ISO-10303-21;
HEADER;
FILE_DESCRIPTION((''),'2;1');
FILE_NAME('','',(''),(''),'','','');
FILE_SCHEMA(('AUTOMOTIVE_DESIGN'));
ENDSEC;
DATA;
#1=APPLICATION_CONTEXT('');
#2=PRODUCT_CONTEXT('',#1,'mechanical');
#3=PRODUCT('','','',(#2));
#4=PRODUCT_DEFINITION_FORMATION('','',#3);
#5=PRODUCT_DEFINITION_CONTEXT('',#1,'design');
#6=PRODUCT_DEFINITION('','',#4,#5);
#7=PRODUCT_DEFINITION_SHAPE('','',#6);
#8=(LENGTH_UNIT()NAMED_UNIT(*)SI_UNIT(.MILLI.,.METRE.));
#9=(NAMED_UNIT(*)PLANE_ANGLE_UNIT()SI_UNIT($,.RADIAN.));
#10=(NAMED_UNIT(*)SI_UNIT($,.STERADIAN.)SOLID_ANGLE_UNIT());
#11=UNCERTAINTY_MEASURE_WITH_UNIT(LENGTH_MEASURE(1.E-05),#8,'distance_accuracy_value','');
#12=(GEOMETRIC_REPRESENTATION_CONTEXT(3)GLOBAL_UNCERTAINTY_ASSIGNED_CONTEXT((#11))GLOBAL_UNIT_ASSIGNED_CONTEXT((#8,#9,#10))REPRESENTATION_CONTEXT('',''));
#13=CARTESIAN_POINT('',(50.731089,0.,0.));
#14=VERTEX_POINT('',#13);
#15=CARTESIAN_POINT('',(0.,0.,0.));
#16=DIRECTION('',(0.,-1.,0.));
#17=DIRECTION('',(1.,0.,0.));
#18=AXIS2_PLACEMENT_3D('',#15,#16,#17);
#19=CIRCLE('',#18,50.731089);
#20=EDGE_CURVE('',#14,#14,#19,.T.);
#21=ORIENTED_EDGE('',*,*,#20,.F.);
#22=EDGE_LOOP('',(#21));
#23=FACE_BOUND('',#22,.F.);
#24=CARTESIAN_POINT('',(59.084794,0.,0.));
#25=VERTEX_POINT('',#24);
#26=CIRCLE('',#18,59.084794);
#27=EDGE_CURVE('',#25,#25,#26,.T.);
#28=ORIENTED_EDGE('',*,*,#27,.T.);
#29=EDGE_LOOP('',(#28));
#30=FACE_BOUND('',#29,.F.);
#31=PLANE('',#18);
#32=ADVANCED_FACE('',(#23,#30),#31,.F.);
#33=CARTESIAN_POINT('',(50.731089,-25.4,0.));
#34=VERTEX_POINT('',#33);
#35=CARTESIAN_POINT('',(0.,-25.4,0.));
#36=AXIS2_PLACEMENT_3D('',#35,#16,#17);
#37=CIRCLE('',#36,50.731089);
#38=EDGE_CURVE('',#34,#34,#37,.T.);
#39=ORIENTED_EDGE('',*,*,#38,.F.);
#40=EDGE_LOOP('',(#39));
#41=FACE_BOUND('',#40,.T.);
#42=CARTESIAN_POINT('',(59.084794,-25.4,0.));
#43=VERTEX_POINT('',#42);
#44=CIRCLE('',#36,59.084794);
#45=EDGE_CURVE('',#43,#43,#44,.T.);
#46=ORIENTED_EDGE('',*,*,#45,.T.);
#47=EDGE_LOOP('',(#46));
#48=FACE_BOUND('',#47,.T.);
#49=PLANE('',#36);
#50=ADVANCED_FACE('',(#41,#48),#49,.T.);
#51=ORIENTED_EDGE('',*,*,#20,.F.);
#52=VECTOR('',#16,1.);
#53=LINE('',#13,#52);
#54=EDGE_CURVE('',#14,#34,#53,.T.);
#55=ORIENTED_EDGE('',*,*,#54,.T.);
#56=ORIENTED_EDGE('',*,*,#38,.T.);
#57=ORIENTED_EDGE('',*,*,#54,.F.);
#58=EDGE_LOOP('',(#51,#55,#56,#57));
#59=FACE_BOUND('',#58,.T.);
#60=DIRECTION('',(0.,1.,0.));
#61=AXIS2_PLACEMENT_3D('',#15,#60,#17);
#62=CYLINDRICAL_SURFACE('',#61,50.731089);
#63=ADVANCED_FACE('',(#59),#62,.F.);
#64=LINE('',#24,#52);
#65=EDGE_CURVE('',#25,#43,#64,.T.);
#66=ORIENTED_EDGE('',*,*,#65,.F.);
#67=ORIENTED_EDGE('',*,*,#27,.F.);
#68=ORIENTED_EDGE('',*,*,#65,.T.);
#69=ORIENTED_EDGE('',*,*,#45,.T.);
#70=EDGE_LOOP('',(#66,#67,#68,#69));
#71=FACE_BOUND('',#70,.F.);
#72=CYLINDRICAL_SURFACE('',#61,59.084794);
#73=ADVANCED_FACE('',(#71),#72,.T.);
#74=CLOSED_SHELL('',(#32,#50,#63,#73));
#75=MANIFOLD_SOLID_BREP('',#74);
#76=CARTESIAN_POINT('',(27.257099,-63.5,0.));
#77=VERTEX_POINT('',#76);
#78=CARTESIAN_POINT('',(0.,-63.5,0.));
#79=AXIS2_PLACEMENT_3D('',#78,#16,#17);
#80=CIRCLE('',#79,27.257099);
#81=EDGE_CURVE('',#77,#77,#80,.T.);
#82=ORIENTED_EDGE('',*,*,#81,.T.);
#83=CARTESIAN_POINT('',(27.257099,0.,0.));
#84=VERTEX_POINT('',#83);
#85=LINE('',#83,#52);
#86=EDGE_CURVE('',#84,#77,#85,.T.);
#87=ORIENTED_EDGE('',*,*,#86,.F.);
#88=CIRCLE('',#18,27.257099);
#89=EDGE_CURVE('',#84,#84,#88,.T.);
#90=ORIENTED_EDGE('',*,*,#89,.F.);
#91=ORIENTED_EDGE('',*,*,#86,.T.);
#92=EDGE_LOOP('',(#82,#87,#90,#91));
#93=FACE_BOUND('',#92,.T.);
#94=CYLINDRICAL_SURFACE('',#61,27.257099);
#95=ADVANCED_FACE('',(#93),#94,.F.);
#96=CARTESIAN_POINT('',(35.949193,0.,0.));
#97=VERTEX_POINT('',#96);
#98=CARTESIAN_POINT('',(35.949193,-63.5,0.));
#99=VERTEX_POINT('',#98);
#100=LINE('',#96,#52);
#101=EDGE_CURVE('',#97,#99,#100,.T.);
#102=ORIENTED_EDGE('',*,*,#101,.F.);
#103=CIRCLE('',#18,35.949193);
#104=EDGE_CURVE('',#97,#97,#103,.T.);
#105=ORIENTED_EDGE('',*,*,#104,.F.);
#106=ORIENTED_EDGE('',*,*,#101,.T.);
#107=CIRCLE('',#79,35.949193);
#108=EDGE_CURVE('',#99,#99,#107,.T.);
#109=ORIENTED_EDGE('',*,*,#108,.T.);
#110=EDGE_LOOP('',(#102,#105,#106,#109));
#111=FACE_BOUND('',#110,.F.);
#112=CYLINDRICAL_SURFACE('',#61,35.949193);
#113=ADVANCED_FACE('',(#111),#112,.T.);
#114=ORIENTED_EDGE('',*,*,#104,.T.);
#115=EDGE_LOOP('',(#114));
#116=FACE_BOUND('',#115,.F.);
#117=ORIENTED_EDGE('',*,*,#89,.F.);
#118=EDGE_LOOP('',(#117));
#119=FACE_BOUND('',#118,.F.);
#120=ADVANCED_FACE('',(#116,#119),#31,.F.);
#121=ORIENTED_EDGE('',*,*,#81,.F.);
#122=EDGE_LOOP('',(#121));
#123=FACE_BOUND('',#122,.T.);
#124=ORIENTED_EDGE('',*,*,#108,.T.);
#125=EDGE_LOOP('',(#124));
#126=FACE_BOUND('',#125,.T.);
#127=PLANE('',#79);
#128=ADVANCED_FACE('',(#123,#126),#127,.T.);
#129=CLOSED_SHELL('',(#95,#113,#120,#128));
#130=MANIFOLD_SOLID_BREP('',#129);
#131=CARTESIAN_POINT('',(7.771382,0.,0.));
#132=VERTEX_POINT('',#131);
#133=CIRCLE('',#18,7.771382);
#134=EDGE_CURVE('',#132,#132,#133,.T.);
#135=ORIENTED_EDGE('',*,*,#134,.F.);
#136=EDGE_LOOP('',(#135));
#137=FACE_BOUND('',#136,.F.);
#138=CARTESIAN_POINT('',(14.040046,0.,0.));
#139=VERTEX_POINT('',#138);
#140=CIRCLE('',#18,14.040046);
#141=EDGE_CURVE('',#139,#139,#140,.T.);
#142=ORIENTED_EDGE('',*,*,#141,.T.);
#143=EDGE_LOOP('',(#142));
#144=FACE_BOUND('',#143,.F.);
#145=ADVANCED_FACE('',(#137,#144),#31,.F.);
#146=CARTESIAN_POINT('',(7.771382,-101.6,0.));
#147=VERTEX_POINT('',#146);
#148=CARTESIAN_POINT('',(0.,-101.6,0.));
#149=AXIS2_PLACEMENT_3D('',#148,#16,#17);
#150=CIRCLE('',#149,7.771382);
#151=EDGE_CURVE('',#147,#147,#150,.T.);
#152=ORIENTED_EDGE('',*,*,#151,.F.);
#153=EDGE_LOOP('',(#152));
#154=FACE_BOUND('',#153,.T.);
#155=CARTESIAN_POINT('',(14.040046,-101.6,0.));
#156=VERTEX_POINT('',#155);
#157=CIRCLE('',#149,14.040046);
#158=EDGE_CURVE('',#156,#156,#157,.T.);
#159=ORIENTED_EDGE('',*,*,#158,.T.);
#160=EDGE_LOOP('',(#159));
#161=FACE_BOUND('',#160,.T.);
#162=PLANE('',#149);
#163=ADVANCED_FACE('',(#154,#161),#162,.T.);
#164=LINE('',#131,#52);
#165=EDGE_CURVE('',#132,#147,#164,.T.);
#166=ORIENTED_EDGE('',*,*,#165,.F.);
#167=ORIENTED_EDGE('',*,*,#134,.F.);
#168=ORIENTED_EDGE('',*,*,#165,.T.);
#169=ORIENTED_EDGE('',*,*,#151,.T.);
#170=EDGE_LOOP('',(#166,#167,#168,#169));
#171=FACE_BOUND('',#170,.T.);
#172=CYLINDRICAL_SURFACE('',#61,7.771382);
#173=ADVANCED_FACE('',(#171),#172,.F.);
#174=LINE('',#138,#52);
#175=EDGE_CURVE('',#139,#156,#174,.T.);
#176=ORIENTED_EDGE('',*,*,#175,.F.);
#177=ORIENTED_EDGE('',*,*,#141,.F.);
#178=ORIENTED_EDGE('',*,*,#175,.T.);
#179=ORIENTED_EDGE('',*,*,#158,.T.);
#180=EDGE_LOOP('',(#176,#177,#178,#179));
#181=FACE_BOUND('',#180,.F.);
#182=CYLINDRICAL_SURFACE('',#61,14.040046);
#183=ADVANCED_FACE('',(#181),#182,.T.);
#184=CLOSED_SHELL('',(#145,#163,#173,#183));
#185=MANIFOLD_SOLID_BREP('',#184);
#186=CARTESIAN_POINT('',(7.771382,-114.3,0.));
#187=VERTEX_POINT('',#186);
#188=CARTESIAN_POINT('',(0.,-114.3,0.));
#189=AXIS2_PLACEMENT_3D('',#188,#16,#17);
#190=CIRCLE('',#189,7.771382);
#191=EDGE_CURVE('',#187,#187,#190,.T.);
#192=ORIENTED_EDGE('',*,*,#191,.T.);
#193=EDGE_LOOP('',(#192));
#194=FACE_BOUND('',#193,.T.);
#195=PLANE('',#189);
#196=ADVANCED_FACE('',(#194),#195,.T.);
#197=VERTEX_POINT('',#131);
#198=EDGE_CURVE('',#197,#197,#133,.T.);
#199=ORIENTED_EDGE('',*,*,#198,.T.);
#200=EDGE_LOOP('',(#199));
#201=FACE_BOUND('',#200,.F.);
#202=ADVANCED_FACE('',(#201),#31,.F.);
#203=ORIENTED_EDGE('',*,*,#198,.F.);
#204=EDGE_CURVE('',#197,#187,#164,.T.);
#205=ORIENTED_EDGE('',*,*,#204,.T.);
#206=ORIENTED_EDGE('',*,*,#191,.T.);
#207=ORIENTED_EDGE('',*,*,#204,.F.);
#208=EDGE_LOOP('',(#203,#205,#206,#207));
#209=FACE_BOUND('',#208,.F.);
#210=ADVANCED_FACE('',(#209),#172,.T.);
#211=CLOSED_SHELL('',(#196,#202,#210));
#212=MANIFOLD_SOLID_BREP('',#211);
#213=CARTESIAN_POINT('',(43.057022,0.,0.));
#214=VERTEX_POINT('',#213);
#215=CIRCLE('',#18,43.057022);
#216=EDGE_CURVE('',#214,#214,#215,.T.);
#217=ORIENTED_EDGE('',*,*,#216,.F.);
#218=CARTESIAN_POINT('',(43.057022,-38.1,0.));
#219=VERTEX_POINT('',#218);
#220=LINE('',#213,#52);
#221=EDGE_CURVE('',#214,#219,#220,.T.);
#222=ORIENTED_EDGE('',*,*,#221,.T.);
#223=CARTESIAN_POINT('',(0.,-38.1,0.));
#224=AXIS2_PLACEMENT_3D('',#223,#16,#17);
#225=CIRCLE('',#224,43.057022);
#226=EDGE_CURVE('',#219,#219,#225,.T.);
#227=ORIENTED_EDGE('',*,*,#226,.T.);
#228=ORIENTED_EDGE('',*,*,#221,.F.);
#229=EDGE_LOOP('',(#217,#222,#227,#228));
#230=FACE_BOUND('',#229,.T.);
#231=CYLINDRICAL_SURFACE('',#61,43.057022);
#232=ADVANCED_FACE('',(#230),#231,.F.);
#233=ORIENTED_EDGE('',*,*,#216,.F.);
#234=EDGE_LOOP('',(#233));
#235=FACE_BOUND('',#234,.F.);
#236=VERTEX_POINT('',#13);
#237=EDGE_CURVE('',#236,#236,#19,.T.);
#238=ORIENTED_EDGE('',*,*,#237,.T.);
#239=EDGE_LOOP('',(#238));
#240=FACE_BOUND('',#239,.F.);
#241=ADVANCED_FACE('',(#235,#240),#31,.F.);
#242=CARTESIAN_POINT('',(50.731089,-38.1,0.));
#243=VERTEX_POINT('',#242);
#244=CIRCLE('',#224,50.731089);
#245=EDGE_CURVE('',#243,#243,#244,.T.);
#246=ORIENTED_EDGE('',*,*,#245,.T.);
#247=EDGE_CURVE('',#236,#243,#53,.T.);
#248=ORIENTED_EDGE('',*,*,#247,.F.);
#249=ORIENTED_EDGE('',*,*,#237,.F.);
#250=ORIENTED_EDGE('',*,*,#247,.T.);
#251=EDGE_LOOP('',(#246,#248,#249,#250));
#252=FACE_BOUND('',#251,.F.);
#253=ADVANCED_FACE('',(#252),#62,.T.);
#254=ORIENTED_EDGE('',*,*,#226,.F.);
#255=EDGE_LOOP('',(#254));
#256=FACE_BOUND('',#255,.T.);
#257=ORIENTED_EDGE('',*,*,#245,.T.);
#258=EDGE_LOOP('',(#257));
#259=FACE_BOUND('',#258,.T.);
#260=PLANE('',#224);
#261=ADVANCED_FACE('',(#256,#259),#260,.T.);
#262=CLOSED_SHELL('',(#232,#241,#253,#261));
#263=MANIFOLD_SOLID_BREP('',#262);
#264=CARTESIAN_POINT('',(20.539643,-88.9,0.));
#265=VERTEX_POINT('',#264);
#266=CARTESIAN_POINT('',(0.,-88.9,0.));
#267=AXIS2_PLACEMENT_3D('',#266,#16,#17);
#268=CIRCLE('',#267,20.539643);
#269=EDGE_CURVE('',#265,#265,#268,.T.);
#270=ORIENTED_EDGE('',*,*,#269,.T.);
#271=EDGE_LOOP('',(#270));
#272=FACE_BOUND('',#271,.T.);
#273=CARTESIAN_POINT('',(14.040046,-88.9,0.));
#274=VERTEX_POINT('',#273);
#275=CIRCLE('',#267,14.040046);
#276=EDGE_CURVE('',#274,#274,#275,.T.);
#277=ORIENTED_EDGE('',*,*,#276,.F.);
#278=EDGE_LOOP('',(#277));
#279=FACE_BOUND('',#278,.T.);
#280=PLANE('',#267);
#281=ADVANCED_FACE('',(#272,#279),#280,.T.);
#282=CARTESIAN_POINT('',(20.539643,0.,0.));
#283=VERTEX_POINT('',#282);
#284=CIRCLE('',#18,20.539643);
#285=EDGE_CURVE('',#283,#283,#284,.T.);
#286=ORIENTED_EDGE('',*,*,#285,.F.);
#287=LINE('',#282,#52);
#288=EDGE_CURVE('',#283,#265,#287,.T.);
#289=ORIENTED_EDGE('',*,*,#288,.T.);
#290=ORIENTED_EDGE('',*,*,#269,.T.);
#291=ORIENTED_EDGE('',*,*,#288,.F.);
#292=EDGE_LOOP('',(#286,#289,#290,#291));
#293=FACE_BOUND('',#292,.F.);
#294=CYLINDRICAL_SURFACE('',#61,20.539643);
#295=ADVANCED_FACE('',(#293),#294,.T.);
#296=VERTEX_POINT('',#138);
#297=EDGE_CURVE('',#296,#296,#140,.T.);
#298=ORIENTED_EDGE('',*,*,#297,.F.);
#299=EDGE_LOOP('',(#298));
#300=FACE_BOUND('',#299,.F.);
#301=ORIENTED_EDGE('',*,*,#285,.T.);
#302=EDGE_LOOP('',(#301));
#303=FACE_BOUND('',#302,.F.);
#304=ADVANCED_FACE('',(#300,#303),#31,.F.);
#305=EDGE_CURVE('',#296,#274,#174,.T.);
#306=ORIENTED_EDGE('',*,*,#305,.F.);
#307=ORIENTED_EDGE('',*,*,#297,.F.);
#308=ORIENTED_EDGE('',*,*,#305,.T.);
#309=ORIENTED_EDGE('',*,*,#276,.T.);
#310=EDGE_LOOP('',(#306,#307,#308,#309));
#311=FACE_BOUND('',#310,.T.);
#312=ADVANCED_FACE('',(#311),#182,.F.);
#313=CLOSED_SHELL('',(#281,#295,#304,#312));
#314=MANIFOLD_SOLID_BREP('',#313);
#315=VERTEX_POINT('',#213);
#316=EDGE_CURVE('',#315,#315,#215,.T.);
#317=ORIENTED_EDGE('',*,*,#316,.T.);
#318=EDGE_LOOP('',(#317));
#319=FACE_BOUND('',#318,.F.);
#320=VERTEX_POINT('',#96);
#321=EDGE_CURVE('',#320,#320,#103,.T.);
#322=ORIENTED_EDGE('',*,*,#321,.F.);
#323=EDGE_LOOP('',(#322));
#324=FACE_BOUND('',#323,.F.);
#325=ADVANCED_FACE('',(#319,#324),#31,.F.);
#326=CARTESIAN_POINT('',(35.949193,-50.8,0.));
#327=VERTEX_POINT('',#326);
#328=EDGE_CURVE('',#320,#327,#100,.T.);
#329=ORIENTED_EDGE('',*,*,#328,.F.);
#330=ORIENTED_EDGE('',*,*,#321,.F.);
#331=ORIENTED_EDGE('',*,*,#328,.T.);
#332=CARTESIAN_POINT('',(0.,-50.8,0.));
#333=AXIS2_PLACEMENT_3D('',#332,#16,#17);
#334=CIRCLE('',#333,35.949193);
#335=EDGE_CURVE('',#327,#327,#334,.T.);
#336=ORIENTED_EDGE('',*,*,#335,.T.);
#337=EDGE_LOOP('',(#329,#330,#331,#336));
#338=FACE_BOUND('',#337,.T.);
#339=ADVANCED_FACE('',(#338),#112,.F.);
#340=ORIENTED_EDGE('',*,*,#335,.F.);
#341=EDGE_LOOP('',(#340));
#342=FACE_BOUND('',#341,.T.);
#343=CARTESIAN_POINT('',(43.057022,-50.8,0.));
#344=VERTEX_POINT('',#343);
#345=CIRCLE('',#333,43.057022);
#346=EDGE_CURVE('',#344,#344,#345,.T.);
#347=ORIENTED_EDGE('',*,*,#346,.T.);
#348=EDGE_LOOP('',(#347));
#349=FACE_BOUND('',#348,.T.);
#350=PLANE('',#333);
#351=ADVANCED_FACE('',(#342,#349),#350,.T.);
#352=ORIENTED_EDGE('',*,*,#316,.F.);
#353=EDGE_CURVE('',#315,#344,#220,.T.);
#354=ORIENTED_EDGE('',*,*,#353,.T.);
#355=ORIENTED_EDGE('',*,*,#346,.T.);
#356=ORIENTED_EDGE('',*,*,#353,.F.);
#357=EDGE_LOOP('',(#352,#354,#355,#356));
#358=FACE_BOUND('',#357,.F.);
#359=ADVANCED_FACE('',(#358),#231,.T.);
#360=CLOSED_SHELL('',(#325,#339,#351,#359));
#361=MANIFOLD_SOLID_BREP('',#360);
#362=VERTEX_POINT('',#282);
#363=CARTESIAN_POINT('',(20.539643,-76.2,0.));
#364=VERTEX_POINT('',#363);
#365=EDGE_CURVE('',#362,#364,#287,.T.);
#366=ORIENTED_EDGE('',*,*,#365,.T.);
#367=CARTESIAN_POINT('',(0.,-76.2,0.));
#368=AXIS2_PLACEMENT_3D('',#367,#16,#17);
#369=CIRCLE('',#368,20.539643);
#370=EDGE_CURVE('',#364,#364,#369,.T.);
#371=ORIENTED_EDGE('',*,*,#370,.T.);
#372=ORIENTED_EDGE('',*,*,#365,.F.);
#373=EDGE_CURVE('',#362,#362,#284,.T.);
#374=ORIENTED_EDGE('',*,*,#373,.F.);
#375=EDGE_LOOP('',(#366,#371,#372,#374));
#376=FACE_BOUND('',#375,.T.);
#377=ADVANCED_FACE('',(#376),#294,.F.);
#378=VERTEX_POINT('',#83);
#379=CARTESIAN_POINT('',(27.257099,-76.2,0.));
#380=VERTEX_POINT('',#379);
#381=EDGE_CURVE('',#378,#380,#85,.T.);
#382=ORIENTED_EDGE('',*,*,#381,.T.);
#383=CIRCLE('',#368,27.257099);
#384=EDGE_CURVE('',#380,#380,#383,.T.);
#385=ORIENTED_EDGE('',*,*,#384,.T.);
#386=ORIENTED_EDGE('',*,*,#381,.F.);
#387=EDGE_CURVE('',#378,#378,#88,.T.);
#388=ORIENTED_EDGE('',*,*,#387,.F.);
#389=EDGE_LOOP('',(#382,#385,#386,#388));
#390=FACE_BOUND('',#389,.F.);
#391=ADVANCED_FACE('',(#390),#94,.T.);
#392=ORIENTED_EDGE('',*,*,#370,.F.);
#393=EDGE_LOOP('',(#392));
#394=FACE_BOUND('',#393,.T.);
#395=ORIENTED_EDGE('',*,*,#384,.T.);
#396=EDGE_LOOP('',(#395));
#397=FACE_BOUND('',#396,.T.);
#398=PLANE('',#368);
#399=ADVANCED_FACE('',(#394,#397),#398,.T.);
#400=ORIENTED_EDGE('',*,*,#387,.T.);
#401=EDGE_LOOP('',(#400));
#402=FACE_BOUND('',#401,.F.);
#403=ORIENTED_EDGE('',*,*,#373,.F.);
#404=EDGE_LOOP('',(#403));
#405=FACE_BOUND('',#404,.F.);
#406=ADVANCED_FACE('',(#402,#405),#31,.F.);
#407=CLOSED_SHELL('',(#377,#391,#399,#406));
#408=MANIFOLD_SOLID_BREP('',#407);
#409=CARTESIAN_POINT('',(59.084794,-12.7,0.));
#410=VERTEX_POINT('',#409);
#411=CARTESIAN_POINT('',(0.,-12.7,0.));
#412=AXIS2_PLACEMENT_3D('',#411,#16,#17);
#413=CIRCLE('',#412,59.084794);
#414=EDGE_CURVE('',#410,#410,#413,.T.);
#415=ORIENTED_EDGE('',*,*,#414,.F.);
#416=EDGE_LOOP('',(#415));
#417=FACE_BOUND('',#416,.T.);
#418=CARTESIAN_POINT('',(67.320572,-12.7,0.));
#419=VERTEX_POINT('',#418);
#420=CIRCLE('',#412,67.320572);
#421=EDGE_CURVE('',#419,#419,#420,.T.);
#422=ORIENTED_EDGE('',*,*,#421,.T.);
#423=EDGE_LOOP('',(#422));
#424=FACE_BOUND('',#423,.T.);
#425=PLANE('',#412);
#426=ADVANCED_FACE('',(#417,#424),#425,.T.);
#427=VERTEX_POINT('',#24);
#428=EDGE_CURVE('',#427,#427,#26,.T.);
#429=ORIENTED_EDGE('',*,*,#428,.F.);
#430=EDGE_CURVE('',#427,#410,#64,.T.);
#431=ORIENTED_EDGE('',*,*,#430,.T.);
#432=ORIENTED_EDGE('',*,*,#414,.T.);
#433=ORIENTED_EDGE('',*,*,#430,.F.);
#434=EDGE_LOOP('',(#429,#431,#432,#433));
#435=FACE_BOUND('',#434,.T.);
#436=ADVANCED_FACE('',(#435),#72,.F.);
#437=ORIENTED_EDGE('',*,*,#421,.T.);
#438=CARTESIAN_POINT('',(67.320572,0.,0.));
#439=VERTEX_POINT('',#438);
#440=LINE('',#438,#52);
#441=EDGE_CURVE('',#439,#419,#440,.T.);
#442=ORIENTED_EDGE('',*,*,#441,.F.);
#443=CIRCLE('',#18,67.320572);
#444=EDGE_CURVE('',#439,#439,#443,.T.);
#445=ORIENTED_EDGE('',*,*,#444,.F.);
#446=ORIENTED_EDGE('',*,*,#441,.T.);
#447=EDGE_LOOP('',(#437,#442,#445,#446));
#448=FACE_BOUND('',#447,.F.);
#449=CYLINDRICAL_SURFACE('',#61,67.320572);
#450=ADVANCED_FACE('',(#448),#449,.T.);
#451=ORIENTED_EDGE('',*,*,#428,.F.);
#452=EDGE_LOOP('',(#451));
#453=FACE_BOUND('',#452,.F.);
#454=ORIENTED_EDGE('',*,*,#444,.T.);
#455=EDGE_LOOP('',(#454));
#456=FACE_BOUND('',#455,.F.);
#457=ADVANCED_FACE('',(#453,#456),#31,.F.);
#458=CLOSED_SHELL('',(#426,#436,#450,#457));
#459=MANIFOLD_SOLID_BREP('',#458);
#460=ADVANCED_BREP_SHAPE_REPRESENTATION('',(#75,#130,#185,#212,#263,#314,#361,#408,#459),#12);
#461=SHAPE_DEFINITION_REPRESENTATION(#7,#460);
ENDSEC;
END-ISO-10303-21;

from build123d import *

# Parameters (mm, degrees)
F0_R     = 67.320572
F0_R_2   = 59.084794
F1_DEPTH = 12.7
F0_R_3   = 50.731089
F2_DEPTH = 25.4
F0_R_4   = 43.057022
F3_DEPTH = 38.1
F0_R_5   = 35.949193
F4_DEPTH = 50.8
F0_R_6   = 27.257099
F5_DEPTH = 63.5
F0_R_7   = 20.539643
F6_DEPTH = 76.2
F0_R_8   = 14.040046
F7_DEPTH = 88.9
F0_R_9   = 7.771382
F8_DEPTH = 101.6
F9_DEPTH = 114.3


with BuildPart() as f1:
    # F0 (on Front) → F1 (new body)
    with BuildSketch(Plane.XZ):
        Circle(F0_R)
        Circle(F0_R_2, mode=Mode.SUBTRACT)
    extrude(amount=F1_DEPTH)


with BuildPart() as f2:
    # F0 (on Front) → F2 (new body)
    with BuildSketch(Plane.XZ):
        Circle(F0_R_2)
        Circle(F0_R_3, mode=Mode.SUBTRACT)
    extrude(amount=F2_DEPTH)


with BuildPart() as f3:
    # F0 (on Front) → F3 (new body)
    with BuildSketch(Plane.XZ):
        Circle(F0_R_3)
        Circle(F0_R_4, mode=Mode.SUBTRACT)
    extrude(amount=F3_DEPTH)


with BuildPart() as f4:
    # F0 (on Front) → F4 (new body)
    with BuildSketch(Plane.XZ):
        Circle(F0_R_4)
        Circle(F0_R_5, mode=Mode.SUBTRACT)
    extrude(amount=F4_DEPTH)


with BuildPart() as f5:
    # F0 (on Front) → F5 (new body)
    with BuildSketch(Plane.XZ):
        Circle(F0_R_5)
        Circle(F0_R_6, mode=Mode.SUBTRACT)
    extrude(amount=F5_DEPTH)


with BuildPart() as f6:
    # F0 (on Front) → F6 (new body)
    with BuildSketch(Plane.XZ):
        Circle(F0_R_6)
        Circle(F0_R_7, mode=Mode.SUBTRACT)
    extrude(amount=F6_DEPTH)


with BuildPart() as f7:
    # F0 (on Front) → F7 (new body)
    with BuildSketch(Plane.XZ):
        Circle(F0_R_7)
        Circle(F0_R_8, mode=Mode.SUBTRACT)
    extrude(amount=F7_DEPTH)


with BuildPart() as f8:
    # F0 (on Front) → F8 (new body)
    with BuildSketch(Plane.XZ):
        Circle(F0_R_8)
        Circle(F0_R_9, mode=Mode.SUBTRACT)
    extrude(amount=F8_DEPTH)


with BuildPart() as f9:
    # F0 (on Front) → F9 (new body)
    with BuildSketch(Plane.XZ):
        Circle(F0_R_9)
    extrude(amount=F9_DEPTH)


solid = Compound([f1.part, f2.part, f3.part, f4.part, f5.part, f6.part, f7.part, f8.part, f9.part])
